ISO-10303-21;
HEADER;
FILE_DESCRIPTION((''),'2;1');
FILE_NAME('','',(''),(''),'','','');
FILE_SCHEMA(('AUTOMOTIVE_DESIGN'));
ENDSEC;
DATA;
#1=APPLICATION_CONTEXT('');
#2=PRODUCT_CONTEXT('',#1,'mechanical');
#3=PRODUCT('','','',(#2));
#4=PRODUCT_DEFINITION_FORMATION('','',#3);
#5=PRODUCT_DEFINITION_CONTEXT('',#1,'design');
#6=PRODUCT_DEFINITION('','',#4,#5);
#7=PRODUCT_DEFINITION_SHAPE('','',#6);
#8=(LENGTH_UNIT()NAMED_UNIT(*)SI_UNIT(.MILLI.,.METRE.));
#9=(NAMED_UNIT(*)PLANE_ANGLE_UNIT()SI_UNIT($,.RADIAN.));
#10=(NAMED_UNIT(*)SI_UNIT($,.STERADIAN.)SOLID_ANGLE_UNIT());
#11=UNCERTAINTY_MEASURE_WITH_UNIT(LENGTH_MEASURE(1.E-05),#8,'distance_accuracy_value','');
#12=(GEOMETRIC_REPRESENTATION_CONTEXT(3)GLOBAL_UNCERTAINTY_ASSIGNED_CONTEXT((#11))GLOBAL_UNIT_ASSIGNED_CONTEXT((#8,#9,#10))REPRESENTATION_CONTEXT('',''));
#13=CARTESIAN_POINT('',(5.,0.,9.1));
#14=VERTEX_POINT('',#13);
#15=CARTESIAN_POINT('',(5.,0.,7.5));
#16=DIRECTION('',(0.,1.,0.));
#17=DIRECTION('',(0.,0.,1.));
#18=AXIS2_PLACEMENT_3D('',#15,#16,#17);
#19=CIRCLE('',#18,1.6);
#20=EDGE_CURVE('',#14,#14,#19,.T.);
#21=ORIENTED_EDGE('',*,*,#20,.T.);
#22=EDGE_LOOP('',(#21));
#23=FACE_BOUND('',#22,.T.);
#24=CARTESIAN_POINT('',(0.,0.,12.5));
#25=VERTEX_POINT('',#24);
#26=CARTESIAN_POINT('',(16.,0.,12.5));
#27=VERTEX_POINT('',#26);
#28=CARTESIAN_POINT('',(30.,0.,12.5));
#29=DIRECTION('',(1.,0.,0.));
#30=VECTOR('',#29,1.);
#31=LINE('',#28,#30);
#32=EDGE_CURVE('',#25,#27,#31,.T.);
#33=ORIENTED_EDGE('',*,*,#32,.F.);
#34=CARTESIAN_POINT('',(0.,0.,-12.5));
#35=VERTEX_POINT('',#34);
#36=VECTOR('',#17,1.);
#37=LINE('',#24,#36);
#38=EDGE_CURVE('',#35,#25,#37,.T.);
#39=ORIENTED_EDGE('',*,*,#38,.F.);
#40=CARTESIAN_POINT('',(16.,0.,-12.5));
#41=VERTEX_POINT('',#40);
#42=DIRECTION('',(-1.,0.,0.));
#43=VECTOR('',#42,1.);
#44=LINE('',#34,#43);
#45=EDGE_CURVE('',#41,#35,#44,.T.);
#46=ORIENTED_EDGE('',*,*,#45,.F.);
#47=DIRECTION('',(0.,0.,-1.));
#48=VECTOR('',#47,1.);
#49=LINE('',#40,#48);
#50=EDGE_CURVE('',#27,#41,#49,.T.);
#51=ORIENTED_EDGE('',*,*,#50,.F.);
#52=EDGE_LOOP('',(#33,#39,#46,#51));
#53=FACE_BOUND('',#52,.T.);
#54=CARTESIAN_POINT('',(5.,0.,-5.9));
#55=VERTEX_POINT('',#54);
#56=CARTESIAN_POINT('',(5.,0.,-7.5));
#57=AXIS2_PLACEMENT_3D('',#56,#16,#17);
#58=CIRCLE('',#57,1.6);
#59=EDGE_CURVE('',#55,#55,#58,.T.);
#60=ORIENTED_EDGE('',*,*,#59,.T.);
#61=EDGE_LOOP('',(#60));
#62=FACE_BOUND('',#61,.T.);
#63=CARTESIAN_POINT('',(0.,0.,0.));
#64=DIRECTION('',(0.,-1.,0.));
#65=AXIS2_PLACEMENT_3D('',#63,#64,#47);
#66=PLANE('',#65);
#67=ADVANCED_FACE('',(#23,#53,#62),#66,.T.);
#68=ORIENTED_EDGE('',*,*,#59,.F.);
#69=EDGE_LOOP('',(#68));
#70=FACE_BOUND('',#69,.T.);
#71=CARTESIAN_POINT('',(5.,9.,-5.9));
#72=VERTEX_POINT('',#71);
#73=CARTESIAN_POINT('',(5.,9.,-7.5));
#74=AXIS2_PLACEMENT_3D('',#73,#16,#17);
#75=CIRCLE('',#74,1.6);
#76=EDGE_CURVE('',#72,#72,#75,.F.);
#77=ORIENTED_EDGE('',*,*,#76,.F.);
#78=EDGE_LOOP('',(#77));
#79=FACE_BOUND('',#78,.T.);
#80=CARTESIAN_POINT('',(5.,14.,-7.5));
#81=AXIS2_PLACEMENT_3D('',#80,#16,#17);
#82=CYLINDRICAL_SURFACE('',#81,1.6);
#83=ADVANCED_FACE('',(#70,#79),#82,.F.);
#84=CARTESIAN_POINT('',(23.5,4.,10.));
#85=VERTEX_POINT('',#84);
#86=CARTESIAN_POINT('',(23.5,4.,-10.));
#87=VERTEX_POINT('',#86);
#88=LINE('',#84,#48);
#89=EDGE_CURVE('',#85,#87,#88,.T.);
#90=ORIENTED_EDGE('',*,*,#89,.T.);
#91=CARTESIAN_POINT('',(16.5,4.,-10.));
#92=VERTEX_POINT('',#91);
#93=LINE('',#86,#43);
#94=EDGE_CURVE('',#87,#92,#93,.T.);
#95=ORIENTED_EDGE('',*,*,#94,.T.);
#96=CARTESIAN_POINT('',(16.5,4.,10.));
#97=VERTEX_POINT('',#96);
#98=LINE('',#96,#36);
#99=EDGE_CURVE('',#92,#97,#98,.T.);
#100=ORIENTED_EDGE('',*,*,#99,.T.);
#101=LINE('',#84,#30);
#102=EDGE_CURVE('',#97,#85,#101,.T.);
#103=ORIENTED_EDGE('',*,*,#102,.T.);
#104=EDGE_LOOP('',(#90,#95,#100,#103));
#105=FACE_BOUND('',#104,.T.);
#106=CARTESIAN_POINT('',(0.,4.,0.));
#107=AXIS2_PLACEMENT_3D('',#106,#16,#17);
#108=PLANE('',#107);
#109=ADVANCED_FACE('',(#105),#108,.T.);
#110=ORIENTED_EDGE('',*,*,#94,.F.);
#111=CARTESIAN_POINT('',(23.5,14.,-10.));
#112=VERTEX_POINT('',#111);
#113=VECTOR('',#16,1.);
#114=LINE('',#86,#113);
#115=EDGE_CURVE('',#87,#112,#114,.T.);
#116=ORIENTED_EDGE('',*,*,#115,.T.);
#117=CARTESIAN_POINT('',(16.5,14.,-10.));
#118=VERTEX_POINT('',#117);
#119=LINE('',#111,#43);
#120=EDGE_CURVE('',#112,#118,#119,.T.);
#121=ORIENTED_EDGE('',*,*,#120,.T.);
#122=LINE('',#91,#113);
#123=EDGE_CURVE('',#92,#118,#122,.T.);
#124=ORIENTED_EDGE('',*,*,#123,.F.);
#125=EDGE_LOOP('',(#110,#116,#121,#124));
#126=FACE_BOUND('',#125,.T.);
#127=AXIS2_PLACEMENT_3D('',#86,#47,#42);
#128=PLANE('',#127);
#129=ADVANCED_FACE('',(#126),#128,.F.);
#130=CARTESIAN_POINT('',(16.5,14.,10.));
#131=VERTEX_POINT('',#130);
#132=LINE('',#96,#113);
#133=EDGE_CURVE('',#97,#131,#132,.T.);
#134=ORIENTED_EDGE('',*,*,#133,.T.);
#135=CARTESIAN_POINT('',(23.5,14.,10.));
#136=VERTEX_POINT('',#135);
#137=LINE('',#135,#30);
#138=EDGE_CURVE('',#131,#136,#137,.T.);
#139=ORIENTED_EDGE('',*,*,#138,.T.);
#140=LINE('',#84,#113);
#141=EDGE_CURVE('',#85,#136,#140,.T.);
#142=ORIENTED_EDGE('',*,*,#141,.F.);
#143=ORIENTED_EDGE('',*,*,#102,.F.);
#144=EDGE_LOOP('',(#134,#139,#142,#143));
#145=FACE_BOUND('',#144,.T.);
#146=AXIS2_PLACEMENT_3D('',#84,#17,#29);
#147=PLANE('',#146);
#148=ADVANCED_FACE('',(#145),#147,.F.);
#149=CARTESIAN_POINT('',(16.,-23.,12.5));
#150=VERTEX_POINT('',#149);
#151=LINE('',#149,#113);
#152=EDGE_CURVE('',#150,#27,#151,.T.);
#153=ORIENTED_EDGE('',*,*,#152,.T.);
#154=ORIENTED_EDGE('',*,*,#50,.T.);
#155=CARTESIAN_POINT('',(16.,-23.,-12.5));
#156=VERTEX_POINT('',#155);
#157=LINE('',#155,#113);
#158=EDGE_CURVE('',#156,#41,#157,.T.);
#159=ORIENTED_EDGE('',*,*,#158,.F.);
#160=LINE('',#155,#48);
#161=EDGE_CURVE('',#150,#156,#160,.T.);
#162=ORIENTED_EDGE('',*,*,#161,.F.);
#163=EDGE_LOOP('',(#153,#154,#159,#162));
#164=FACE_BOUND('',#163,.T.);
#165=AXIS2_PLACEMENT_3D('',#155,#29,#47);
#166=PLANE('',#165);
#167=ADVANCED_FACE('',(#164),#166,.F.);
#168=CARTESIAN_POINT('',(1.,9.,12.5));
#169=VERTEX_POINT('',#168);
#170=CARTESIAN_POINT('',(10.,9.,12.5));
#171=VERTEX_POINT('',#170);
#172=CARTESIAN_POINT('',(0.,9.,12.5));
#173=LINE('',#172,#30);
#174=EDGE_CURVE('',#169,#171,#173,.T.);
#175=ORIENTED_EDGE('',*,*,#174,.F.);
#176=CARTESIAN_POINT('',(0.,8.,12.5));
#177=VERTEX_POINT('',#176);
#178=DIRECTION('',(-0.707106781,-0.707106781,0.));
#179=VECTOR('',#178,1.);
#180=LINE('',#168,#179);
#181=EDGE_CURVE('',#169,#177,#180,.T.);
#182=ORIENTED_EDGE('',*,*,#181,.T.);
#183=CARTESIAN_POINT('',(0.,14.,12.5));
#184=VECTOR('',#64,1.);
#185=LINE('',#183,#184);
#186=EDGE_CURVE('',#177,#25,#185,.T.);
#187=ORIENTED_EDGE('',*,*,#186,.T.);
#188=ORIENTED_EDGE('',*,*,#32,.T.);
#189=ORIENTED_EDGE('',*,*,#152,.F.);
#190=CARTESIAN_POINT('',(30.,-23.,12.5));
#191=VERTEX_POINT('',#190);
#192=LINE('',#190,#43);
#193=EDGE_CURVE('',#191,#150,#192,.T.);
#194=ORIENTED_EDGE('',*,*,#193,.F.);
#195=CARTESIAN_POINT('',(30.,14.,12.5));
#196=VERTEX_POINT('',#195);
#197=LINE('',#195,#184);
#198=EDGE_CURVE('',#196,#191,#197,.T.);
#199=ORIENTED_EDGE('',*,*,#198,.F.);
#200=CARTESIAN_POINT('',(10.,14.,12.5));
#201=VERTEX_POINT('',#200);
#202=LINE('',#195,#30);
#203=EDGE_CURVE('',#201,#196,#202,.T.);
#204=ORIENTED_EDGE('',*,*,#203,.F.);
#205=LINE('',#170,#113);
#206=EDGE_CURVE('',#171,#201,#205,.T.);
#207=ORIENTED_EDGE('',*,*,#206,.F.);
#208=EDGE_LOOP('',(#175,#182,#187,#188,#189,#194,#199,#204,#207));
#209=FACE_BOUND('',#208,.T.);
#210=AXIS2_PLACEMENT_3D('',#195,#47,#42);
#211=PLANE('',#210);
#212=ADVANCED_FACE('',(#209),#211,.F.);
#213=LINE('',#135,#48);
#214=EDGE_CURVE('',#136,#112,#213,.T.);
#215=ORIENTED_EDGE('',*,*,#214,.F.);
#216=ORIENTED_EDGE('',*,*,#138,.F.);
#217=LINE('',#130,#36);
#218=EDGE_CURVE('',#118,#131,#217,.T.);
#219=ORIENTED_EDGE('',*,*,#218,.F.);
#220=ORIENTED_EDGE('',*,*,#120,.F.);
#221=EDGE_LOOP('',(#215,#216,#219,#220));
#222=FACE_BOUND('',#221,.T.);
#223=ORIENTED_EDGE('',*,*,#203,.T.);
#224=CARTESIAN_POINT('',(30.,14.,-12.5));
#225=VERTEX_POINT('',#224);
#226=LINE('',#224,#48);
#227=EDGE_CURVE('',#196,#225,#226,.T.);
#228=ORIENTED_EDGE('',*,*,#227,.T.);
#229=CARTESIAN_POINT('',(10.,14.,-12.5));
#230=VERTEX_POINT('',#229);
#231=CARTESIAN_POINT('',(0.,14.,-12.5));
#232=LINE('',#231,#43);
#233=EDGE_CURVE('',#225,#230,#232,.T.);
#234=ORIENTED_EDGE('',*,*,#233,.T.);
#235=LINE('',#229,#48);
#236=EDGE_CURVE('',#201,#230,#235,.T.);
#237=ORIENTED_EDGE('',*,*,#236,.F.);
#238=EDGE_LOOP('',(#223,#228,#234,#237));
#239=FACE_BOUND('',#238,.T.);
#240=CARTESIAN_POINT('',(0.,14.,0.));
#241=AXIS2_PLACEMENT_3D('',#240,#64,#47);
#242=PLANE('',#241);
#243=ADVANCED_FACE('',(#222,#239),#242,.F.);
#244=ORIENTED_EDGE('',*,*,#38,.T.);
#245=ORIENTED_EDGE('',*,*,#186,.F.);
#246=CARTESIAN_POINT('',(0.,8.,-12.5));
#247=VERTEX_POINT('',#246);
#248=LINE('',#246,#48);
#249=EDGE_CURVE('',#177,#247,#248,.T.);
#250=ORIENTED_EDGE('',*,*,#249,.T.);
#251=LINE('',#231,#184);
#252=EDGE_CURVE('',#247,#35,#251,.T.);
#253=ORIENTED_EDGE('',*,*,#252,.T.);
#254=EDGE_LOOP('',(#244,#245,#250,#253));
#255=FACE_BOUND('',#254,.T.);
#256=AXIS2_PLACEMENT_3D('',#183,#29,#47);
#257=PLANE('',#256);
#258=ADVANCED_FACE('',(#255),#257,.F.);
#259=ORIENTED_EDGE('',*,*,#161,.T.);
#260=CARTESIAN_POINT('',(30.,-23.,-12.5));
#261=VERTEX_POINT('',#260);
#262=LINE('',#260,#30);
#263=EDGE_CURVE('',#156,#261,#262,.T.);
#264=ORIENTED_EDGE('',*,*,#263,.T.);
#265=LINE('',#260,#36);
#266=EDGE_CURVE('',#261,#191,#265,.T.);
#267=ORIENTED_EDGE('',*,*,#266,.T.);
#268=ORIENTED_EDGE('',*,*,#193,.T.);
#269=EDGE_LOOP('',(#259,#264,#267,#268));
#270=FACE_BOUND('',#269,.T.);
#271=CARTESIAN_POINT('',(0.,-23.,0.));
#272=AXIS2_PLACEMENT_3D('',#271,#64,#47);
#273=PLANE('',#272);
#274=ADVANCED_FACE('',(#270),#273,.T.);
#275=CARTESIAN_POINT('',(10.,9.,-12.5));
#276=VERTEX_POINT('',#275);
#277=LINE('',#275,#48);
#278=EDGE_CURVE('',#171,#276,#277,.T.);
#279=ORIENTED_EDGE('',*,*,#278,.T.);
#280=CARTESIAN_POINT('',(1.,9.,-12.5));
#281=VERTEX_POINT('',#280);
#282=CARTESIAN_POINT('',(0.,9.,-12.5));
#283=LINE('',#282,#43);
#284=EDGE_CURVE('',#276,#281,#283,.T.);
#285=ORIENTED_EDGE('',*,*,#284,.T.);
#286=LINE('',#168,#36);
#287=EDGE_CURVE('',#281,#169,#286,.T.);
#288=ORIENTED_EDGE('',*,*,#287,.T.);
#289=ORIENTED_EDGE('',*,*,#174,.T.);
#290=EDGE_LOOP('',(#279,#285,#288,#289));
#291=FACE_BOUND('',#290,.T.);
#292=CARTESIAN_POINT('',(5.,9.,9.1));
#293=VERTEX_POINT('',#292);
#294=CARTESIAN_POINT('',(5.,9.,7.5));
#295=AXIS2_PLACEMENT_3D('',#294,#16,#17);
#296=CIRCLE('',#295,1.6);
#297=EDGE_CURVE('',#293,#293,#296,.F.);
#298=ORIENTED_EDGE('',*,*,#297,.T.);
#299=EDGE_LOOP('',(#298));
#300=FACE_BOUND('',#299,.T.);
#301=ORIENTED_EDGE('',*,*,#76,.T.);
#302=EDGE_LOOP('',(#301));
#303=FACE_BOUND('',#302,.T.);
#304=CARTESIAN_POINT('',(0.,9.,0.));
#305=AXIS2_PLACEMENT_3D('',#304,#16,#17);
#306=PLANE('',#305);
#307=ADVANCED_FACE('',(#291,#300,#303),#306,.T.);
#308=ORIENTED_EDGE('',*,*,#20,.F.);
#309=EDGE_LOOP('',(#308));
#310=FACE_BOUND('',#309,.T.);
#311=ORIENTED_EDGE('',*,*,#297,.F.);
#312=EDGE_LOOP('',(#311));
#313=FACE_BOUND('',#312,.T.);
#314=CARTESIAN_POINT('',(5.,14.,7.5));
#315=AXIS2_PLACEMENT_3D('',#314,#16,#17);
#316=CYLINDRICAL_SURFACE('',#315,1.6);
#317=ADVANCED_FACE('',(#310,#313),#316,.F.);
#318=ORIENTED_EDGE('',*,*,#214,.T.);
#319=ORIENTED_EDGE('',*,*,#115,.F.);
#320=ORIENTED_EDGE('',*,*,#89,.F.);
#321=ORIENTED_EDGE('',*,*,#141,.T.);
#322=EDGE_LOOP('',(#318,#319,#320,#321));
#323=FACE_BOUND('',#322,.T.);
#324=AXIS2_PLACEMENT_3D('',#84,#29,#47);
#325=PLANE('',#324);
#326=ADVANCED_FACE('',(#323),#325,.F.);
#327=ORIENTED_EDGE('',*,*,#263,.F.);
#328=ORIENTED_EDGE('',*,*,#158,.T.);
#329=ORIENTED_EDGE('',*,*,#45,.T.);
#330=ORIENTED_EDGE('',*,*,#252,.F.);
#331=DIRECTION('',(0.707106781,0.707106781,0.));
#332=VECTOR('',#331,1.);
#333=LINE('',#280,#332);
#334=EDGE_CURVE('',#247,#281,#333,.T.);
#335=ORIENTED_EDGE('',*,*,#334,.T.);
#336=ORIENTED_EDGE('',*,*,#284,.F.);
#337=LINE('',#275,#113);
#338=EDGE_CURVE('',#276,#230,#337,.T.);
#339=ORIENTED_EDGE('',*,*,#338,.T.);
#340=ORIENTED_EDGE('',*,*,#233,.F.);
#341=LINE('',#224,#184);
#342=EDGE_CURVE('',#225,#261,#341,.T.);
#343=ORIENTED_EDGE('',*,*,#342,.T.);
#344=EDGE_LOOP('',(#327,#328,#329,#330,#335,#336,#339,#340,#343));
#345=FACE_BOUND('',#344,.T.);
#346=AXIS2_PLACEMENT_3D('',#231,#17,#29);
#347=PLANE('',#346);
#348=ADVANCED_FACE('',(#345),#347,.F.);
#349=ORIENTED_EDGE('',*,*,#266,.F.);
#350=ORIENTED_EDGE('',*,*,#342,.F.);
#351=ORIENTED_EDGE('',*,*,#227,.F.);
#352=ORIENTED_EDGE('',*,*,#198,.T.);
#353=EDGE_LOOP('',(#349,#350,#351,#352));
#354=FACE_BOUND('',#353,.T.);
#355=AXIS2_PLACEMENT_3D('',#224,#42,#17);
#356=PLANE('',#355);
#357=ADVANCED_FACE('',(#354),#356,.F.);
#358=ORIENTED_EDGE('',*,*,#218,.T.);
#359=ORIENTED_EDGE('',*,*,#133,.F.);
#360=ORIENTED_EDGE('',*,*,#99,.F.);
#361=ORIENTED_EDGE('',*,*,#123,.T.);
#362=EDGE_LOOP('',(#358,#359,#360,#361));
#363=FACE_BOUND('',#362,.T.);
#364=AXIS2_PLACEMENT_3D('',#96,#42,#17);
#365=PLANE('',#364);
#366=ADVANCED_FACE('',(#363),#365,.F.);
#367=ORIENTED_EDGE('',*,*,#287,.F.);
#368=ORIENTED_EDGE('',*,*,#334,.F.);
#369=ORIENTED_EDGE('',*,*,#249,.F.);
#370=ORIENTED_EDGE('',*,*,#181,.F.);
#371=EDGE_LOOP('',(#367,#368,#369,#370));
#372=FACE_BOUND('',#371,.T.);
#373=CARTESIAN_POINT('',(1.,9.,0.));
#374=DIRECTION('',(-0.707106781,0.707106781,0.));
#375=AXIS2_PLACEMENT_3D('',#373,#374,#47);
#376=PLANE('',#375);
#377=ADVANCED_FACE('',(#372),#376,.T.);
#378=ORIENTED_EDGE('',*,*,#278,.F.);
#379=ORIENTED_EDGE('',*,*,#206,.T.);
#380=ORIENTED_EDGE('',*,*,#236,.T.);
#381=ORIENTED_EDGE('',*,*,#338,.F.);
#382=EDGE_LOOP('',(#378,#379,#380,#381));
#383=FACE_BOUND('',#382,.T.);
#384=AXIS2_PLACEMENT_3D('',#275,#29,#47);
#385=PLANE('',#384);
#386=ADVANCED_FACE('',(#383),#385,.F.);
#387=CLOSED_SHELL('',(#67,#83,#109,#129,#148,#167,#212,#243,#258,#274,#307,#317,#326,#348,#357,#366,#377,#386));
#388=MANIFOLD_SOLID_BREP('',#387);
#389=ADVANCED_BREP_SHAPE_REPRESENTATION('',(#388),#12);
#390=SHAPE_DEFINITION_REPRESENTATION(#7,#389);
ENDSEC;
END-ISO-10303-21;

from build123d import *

# Parameters (mm, degrees)
SKETCH1_W                  = 30
SKETCH1_H                  = 25
BOSS_EXTRUDE1_DEPTH        = 14
F_3_2_3_2_DIAMETER_HOLE1_D = 3.2
SKETCH5_W                  = 7
SKETCH5_H                  = 20
CUT_EXTRUDE1_DEPTH         = 10
SKETCH6_W                  = 10
SKETCH6_H                  = 25
CUT_EXTRUDE2_DEPTH         = 5
CHAMFER1_SIZE              = 1
SKETCH7_W                  = 14
SKETCH7_H                  = 25
BOSS_EXTRUDE2_DEPTH        = 23


with BuildPart() as part:
    # Sketch1 → Boss-Extrude1 (new body)
    with BuildSketch(Plane(origin=(0, 0, 0), x_dir=(1, 0, 0), z_dir=(0, 1, 0))):
        with Locations((15, 0)):
            Rectangle(SKETCH1_W, SKETCH1_H)
    extrude(amount=BOSS_EXTRUDE1_DEPTH)

    # Ø3.2 (3.2) Diameter Hole1 (through all)
    with Locations(Plane(origin=(0, 14, 0), x_dir=(1, 0, 0), z_dir=(0, 1, 0))):
        with Locations((5, 7.5), (5, -7.5)):
            Hole(F_3_2_3_2_DIAMETER_HOLE1_D / 2)

    # Sketch5 → Cut-Extrude1 (cut)
    with BuildSketch(Plane(origin=(0, 14, 0), x_dir=(1, 0, 0), z_dir=(0, 1, 0))):
        with Locations((20, 0)):
            Rectangle(SKETCH5_W, SKETCH5_H)
    extrude(amount=-CUT_EXTRUDE1_DEPTH, mode=Mode.SUBTRACT)

    # Sketch6 → Cut-Extrude2 (cut)
    with BuildSketch(Plane(origin=(0, 14, 0), x_dir=(1, 0, 0), z_dir=(0, 1, 0))):
        with Locations((5, 0)):
            Rectangle(SKETCH6_W, SKETCH6_H)
    extrude(amount=-CUT_EXTRUDE2_DEPTH, mode=Mode.SUBTRACT)

    # Chamfer1
    chamfer1_edges = [part.edges().sort_by_distance(p)[0] for p in [
        (0, 9, 0),
    ]]
    chamfer(chamfer1_edges, length=CHAMFER1_SIZE)

    # Sketch7 → Boss-Extrude2 (add)
    with BuildSketch(Plane.XZ):
        with Locations((23, 0)):
            Rectangle(SKETCH7_W, SKETCH7_H)
    extrude(amount=BOSS_EXTRUDE2_DEPTH)


solid = part.part
